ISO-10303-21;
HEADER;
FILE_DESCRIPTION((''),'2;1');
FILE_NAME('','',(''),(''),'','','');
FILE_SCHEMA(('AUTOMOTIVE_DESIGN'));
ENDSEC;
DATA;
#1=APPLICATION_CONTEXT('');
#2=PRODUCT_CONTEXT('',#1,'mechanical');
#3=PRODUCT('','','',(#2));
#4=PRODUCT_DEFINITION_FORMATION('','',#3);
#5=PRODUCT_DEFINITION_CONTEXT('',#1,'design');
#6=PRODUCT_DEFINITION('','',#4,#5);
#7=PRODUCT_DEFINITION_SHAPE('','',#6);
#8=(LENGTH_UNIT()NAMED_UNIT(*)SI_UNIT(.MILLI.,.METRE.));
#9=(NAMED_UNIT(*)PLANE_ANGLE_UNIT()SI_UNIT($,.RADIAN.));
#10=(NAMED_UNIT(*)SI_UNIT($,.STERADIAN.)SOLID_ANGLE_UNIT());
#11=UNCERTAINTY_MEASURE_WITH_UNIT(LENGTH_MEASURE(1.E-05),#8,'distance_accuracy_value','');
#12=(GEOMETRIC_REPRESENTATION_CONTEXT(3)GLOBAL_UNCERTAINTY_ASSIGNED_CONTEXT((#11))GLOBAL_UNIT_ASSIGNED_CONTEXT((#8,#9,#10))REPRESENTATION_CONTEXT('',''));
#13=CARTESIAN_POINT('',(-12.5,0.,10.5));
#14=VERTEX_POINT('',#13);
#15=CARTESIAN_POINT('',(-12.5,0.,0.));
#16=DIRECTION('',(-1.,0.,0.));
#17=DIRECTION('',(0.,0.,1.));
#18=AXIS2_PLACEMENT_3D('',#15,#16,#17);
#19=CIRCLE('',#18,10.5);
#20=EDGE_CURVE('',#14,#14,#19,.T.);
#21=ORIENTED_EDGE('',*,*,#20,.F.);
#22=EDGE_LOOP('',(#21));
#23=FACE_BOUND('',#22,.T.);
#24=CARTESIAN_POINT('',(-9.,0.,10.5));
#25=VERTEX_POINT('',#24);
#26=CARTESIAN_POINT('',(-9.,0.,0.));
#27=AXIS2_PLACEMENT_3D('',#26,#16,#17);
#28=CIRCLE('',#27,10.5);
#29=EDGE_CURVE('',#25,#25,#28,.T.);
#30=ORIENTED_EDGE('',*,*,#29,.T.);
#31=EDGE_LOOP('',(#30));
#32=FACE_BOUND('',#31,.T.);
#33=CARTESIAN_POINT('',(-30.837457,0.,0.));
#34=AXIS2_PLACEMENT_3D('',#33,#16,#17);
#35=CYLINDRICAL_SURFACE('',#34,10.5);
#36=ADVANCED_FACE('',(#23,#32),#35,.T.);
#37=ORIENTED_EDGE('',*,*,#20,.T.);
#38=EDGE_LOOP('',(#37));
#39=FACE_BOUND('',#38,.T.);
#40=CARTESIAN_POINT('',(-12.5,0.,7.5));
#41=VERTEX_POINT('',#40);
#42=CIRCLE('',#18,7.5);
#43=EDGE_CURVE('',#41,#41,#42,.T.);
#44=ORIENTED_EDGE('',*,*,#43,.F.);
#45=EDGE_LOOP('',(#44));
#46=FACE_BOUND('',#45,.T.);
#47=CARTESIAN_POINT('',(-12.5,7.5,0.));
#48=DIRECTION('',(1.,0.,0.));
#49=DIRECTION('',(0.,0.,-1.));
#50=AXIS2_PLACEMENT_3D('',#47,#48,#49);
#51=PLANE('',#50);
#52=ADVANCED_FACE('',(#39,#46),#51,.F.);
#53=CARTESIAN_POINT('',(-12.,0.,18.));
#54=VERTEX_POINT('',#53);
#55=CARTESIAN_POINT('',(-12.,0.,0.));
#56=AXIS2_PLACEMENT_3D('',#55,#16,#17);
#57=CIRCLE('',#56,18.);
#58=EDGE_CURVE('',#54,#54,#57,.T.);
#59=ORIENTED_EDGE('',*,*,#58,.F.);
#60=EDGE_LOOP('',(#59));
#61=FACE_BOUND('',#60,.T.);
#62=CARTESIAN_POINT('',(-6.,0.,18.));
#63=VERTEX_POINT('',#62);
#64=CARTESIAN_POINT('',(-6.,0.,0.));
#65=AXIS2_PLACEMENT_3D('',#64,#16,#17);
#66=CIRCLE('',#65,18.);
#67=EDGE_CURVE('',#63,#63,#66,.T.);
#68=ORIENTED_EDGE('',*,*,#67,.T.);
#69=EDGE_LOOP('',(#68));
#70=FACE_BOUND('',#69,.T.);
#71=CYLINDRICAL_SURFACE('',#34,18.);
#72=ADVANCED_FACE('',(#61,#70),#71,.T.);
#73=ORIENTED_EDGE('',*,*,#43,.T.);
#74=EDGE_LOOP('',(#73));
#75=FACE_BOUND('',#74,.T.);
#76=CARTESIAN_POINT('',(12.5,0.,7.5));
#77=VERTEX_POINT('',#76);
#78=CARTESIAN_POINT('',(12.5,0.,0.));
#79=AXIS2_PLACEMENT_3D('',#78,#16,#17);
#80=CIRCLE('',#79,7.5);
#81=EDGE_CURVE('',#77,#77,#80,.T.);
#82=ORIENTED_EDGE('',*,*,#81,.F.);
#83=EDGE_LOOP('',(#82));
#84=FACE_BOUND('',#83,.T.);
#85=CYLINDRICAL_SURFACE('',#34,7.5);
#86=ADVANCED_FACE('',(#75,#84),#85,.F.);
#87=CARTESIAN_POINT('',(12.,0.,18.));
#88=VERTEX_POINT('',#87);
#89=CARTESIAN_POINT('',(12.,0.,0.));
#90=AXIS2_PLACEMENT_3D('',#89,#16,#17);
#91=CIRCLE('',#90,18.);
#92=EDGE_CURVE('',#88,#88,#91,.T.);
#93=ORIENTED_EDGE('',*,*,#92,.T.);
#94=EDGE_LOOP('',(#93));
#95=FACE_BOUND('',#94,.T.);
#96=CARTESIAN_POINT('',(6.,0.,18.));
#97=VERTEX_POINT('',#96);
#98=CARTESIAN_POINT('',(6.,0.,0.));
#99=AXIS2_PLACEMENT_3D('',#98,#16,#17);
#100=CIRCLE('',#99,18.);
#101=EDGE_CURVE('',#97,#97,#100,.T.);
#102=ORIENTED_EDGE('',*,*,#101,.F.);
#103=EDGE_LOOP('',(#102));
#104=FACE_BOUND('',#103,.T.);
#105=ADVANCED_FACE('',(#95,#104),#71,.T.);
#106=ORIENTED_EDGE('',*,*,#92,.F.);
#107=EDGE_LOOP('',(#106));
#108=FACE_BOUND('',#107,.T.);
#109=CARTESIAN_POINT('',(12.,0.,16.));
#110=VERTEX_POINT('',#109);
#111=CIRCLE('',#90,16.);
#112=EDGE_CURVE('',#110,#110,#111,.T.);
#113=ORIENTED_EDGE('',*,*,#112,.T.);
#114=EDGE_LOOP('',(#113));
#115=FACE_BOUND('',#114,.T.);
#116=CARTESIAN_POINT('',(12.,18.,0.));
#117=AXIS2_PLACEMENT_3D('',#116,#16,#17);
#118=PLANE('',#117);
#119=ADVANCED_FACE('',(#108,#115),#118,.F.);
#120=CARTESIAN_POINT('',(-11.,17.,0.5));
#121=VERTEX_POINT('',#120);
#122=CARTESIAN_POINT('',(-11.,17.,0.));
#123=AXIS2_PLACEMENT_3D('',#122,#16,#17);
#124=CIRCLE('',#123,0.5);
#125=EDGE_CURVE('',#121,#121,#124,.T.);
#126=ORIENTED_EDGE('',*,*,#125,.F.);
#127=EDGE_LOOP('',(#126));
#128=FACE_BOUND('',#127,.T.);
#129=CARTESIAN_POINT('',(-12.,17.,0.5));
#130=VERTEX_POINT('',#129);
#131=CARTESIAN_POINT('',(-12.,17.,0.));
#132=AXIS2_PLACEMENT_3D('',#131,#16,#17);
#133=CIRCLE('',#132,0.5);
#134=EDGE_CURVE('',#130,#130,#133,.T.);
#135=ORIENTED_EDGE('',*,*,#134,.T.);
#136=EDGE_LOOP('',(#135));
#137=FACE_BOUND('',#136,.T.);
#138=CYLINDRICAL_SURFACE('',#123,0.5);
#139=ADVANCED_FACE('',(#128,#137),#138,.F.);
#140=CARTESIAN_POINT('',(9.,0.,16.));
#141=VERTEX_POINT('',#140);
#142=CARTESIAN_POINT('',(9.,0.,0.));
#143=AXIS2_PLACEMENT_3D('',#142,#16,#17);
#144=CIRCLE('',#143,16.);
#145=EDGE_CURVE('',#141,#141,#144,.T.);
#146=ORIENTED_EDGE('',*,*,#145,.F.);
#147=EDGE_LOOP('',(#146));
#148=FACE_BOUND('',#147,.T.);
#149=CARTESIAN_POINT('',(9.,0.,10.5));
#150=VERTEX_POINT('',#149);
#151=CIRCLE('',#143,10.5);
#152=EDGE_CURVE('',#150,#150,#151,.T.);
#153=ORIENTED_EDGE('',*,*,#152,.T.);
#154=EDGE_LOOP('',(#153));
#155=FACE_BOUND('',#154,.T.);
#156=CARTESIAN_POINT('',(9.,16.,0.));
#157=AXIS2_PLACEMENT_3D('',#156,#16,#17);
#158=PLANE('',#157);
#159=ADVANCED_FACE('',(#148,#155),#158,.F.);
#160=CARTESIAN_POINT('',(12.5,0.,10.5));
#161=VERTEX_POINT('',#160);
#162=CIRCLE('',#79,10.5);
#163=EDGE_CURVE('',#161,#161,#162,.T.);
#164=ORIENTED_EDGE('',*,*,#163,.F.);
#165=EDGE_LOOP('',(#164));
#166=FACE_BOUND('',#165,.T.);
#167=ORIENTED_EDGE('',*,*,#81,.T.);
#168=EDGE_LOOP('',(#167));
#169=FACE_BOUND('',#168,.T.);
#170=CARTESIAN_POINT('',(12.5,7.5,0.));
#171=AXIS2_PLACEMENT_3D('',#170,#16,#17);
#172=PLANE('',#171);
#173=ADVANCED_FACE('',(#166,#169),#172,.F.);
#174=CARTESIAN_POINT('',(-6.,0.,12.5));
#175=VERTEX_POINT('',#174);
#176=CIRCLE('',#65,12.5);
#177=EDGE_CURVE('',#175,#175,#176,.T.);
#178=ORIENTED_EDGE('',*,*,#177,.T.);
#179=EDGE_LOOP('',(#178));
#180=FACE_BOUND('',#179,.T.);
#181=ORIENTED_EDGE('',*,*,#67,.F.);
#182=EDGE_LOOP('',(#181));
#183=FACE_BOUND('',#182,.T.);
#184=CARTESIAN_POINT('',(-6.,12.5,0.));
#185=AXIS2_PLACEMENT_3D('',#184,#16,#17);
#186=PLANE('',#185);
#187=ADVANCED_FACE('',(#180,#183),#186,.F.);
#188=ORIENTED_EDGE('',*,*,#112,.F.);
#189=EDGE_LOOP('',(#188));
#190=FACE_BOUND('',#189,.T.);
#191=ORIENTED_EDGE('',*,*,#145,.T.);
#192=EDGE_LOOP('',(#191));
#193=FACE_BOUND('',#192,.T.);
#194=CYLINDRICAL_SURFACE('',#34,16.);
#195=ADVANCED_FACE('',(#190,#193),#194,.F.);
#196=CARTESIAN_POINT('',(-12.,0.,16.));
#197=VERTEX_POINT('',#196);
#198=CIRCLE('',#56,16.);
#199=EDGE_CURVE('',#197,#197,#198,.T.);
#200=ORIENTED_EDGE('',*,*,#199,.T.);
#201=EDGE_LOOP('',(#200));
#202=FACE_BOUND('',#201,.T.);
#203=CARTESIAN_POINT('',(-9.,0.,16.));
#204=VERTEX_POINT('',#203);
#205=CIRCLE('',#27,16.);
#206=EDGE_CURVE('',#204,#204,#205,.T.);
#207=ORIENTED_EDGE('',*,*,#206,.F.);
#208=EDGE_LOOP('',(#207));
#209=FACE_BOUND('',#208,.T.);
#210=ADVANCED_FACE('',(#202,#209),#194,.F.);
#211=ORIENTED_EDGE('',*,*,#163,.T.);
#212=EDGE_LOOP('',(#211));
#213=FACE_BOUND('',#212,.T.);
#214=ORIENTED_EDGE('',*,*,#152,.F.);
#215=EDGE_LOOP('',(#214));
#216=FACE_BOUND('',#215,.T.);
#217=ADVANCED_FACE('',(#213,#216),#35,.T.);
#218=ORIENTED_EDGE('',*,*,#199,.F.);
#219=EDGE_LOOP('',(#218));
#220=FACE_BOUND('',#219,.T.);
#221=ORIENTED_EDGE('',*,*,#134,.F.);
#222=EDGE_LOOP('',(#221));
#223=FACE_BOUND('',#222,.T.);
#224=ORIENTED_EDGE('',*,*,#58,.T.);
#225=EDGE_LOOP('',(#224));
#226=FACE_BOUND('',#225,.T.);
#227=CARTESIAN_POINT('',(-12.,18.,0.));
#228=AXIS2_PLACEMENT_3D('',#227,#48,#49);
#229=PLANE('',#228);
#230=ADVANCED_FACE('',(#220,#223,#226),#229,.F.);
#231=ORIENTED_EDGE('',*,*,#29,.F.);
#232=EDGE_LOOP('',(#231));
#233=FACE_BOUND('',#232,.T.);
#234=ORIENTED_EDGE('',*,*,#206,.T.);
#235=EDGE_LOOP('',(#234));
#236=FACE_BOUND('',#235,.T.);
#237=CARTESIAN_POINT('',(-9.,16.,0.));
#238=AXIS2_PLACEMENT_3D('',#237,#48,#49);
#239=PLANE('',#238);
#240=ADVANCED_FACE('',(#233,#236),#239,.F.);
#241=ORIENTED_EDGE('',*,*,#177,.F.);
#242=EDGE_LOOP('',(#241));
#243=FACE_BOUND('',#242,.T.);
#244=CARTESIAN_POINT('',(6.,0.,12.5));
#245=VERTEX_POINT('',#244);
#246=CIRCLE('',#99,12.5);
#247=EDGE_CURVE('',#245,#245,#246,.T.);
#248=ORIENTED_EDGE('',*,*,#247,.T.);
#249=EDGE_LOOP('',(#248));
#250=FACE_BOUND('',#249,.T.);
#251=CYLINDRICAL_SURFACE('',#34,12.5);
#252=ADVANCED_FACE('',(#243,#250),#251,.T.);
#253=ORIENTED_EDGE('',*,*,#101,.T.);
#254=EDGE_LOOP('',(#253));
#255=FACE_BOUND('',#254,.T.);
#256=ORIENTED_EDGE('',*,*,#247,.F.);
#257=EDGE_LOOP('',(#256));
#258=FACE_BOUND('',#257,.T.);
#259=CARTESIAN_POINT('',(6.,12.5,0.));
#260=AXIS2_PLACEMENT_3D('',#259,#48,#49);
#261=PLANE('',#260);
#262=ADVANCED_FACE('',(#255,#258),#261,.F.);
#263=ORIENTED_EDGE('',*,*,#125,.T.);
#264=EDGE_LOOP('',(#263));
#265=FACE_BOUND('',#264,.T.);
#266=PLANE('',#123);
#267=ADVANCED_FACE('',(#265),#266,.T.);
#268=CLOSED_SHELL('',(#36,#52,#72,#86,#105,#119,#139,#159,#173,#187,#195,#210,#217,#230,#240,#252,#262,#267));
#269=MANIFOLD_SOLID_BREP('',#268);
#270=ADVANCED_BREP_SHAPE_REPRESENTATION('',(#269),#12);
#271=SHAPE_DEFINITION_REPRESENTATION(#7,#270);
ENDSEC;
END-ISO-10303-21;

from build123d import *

# Parameters (mm, degrees)
SZKIC2_R                   = 0.5
WYTNIJ_WYCI_GNI_CIE1_DEPTH = 1


with BuildPart() as part:
    # Szkic1 → Obrót1 (revolve)
    with BuildSketch(Plane.XY, mode=Mode.PRIVATE) as obr_t1_sk:
        Polygon((-6, 12.5), (6, 12.5), (6, 18), (12, 18), (12, 16), (9, 16), (9, 10.5), (12.5, 10.5), (12.5, 7.5), (-12.5, 7.5), (-12.5, 10.5), (-9, 10.5), (-9, 16), (-12, 16), (-12, 18), (-6, 18), align=None)
    revolve(obr_t1_sk.sketch.rotate(Axis((-30.837457467, 0, 0), (1, 0, 0)), 90), axis=Axis((-30.837457467, 0, 0), (1, 0, 0)))

    # Szkic2 → Wytnij-wyciągnięcie1 (cut)
    with BuildSketch(Plane.ZY.offset(12)):
        with Locations((0, 17)):
            Circle(SZKIC2_R)
    extrude(amount=-WYTNIJ_WYCI_GNI_CIE1_DEPTH, mode=Mode.SUBTRACT)


solid = part.part
